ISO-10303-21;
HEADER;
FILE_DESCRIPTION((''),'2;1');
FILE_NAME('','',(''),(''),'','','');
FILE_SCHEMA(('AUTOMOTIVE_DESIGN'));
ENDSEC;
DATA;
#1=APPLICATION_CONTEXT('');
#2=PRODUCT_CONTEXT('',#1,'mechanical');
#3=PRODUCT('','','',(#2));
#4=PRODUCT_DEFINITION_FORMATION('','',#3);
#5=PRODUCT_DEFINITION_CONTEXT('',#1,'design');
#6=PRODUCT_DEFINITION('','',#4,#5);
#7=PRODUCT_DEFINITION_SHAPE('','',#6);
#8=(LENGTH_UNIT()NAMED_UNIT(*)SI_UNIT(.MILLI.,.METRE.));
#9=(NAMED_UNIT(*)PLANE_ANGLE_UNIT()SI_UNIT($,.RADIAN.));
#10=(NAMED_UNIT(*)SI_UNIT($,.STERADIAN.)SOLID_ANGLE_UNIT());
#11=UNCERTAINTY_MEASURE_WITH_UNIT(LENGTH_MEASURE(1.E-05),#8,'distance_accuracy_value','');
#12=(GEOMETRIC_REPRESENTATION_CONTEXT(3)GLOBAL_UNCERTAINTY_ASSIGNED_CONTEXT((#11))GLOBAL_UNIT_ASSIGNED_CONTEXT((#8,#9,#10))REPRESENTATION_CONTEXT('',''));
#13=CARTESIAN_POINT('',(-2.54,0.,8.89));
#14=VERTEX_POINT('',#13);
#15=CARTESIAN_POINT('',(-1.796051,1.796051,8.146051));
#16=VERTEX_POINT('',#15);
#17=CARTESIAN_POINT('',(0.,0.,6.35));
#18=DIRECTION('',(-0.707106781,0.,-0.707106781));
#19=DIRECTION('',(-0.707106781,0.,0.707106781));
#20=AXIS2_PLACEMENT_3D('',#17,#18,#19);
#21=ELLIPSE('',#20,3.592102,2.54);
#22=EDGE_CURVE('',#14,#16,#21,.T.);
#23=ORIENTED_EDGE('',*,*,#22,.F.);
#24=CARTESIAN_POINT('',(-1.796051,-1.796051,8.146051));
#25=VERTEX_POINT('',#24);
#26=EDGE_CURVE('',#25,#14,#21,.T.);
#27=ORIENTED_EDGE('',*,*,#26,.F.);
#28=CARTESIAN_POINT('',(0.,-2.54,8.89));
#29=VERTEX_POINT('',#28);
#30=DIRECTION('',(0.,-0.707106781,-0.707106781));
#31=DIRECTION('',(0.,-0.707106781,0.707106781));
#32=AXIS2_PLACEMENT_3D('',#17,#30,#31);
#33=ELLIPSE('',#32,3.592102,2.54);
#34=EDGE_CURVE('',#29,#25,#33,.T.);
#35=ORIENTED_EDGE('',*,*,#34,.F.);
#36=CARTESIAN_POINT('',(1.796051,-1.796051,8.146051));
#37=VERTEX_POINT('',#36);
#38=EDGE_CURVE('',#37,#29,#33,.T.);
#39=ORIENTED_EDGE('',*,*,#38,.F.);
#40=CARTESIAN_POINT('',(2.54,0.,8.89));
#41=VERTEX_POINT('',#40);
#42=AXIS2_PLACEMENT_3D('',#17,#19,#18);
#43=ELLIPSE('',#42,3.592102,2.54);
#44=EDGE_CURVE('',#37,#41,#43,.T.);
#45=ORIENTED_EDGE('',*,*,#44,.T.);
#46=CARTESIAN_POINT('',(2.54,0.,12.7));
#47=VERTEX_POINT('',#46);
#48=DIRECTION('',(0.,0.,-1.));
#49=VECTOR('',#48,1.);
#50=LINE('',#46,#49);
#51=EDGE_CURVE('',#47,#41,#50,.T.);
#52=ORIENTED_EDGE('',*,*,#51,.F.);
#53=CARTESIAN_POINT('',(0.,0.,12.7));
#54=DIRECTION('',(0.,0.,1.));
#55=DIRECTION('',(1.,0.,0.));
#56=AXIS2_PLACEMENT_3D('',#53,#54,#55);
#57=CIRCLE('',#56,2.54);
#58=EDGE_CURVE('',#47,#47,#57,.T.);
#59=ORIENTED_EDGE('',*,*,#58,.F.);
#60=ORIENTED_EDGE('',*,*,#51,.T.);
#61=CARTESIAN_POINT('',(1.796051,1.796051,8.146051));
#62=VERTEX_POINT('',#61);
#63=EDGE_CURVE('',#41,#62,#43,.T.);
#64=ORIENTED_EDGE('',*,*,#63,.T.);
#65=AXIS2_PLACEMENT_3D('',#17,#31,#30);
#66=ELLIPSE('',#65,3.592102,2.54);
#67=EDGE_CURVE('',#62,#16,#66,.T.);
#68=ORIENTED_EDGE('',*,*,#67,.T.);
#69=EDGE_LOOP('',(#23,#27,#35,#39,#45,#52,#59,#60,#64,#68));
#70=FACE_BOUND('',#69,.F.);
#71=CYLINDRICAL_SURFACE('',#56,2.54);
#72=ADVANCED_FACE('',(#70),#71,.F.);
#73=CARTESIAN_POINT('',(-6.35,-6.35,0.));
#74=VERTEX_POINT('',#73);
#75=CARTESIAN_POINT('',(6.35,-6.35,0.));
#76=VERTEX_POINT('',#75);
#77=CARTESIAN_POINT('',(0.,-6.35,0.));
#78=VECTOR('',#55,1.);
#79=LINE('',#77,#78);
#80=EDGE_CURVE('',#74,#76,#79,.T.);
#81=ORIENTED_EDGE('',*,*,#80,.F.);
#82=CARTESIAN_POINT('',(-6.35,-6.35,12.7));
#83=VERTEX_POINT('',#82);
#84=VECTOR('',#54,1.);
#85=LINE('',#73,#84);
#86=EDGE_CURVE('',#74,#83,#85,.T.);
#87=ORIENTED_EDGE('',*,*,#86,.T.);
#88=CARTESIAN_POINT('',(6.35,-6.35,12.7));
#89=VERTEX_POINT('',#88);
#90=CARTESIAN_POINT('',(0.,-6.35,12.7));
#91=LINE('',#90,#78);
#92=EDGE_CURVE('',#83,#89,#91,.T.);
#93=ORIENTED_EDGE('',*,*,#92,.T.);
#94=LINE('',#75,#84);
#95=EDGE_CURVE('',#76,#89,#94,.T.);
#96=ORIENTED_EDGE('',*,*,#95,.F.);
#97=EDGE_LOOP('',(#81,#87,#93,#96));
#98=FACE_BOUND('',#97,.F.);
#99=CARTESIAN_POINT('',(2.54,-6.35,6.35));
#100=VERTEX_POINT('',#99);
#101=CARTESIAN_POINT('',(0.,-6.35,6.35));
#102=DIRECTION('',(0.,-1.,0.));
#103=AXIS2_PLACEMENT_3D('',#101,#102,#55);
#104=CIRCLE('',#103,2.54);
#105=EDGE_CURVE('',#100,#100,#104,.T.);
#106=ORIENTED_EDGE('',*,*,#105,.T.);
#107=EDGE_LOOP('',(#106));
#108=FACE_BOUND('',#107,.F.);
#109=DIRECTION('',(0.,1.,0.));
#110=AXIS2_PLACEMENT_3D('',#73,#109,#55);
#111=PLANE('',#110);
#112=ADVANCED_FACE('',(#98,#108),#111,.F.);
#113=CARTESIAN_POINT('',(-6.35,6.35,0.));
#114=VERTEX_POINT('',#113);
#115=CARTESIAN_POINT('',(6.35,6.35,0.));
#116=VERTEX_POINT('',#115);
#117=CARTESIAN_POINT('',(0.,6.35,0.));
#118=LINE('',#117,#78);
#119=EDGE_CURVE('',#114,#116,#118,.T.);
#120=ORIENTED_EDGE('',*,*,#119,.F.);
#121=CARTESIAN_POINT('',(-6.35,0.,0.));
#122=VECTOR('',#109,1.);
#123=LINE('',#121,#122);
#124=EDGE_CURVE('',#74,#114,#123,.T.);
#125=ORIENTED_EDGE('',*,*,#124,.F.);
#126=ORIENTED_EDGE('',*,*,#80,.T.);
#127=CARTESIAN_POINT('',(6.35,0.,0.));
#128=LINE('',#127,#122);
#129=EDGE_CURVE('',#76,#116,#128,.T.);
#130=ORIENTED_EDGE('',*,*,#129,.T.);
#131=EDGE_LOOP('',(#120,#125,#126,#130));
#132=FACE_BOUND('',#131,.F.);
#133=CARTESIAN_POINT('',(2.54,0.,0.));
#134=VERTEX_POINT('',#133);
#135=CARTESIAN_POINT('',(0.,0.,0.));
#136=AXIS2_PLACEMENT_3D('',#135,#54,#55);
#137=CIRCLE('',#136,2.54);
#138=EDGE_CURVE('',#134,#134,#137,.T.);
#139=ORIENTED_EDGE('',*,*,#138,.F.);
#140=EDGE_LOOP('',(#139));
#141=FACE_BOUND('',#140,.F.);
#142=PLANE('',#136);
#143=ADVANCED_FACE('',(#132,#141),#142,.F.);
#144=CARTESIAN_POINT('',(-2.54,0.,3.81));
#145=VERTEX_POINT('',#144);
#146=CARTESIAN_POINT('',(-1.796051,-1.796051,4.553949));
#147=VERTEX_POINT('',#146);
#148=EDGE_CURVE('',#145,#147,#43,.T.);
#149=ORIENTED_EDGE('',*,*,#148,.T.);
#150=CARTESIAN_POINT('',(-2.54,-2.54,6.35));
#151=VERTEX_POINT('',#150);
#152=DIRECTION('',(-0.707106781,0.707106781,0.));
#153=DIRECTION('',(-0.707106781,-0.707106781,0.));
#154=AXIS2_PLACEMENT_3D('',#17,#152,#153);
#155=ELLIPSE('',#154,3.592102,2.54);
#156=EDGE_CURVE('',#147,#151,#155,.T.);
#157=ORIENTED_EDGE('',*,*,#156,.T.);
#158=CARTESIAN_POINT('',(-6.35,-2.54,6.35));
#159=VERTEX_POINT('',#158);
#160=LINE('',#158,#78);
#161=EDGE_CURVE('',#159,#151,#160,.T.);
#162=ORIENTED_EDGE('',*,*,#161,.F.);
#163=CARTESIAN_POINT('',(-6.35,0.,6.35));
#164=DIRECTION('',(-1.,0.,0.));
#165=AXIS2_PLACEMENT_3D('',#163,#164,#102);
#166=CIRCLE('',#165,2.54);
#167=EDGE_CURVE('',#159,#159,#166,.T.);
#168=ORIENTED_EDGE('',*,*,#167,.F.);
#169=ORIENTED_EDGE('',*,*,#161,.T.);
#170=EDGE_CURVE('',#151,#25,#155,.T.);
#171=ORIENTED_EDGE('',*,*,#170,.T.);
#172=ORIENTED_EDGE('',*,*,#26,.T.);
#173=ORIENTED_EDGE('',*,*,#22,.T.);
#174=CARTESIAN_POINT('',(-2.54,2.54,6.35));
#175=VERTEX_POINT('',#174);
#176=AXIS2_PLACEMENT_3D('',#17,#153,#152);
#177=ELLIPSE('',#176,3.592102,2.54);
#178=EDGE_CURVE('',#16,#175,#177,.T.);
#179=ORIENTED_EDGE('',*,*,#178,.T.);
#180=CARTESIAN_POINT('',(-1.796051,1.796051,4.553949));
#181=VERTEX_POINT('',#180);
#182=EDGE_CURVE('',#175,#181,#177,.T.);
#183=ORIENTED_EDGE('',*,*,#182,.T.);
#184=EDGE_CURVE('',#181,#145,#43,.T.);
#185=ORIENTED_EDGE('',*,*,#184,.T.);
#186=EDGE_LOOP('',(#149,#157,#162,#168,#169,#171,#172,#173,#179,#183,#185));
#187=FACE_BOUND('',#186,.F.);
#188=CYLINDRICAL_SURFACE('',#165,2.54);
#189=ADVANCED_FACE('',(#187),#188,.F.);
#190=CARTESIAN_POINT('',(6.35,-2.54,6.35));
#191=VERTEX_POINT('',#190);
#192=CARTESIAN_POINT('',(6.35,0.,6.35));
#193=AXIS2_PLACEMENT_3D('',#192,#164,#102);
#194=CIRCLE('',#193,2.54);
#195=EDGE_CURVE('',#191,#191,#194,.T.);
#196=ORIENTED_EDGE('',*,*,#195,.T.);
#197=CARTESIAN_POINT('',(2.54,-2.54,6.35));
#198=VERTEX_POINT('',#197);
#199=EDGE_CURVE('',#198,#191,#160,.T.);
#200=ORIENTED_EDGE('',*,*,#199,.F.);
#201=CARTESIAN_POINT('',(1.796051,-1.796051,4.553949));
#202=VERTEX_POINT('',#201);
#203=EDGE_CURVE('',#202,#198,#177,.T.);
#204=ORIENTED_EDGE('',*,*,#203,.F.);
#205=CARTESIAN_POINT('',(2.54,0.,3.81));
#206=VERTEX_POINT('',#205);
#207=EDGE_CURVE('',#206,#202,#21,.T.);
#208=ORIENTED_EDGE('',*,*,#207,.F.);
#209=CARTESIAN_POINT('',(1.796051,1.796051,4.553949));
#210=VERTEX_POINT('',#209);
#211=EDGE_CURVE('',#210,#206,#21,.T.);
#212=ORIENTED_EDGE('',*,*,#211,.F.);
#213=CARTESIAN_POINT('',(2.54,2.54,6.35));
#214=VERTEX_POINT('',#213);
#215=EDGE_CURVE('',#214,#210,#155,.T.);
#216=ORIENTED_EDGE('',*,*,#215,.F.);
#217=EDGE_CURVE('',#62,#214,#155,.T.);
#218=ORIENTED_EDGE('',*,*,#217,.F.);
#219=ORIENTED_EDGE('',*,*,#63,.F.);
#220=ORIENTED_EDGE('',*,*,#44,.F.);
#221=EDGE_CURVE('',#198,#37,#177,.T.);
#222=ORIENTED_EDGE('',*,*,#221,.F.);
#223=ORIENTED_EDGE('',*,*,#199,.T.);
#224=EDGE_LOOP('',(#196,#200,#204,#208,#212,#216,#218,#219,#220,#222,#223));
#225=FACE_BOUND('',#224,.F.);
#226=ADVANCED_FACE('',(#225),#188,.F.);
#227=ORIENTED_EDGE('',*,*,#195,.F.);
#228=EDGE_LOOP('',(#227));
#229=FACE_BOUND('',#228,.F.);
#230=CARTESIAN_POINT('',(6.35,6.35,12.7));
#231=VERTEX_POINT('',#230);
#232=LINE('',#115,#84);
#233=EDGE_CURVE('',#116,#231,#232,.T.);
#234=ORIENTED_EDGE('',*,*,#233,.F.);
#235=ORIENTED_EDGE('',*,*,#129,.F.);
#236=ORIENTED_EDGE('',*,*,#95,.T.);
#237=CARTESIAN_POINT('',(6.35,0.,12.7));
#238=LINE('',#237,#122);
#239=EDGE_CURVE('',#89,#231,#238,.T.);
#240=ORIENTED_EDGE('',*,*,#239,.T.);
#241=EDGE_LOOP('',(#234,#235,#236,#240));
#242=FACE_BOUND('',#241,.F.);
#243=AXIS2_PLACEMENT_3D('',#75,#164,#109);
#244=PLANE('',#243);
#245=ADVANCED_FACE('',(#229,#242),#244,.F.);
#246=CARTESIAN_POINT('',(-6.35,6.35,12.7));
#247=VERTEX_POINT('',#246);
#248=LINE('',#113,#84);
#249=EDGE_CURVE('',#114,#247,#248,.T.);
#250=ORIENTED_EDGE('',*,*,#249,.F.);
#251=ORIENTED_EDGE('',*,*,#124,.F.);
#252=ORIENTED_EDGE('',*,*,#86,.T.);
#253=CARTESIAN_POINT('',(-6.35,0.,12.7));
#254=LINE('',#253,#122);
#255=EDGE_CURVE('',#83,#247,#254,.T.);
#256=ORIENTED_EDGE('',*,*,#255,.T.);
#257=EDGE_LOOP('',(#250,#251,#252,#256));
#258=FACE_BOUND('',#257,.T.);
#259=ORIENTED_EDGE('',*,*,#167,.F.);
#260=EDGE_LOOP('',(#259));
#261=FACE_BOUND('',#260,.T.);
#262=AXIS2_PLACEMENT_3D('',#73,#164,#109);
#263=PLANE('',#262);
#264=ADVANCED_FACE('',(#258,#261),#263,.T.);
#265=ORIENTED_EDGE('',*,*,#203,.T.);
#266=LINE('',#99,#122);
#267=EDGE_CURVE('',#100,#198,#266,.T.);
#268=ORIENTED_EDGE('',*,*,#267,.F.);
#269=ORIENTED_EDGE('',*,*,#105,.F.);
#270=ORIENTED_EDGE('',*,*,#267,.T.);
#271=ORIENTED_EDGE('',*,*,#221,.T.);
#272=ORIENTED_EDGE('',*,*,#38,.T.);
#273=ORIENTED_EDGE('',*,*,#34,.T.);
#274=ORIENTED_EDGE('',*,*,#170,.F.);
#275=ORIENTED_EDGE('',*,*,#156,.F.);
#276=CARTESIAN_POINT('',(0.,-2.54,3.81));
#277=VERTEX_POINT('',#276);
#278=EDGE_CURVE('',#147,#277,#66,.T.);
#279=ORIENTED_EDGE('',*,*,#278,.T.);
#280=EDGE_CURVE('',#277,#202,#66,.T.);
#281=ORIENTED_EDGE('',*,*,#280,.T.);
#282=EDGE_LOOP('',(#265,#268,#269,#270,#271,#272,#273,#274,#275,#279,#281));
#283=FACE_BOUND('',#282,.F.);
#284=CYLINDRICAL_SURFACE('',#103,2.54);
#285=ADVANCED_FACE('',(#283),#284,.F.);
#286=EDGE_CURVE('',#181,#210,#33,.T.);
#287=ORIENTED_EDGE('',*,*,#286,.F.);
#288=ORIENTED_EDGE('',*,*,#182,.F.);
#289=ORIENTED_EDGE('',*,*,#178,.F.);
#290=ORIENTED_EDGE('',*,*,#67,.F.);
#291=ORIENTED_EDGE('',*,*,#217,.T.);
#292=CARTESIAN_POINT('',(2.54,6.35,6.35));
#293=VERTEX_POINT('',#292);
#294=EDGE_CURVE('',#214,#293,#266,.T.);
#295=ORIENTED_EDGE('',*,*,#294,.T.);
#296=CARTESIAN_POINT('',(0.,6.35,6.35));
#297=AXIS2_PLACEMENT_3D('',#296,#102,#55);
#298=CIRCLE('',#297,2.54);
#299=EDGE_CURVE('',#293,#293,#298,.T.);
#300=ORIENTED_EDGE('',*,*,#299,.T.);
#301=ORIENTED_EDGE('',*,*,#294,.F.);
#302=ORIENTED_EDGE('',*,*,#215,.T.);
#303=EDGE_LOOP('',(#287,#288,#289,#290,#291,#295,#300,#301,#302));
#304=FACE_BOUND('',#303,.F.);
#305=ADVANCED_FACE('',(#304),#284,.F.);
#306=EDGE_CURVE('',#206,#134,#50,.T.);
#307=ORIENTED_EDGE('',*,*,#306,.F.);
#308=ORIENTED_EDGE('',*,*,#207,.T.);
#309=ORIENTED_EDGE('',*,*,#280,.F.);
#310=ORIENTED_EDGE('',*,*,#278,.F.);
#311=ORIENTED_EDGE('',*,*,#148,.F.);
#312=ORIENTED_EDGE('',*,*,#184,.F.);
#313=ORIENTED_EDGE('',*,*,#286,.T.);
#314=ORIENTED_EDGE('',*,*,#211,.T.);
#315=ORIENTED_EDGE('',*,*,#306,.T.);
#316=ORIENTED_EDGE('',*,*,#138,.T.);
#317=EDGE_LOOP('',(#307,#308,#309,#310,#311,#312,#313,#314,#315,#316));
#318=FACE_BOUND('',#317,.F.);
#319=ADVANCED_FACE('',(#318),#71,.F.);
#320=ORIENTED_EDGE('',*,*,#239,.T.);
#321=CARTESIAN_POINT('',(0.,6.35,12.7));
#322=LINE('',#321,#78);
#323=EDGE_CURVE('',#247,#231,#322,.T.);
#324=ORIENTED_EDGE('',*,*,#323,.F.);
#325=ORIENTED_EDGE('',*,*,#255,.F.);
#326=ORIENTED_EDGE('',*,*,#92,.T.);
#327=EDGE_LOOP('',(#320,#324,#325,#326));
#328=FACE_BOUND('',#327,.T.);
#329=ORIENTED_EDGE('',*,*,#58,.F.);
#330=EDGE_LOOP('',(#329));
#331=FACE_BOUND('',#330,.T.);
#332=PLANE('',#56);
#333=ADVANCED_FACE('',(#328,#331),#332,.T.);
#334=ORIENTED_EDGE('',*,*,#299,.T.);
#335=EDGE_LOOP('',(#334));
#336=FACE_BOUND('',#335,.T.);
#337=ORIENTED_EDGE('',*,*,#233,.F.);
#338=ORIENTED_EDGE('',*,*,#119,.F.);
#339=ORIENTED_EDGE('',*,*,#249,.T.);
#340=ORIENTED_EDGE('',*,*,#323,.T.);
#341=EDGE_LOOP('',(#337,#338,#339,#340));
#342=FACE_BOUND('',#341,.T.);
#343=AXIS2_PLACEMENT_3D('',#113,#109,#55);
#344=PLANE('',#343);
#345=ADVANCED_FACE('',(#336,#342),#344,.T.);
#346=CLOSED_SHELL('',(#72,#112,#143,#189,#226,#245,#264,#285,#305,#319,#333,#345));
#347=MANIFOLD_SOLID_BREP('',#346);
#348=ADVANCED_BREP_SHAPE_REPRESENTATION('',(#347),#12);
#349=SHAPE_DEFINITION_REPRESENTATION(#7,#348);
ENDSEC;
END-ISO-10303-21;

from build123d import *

# Parameters (mm, degrees)
F0_W     = 12.7
F0_H     = 12.7
F1_DEPTH = 12.7
F2_R     = 2.54
F3_DEPTH = 25.4
F4_R     = 2.54
F5_DEPTH = 25.4
F6_R     = 2.54
F7_DEPTH = 25.4


with BuildPart() as f1:
    # F0 (on Top) → F1 (new body)
    with BuildSketch(Plane.XY):
        Rectangle(F0_W, F0_H)
    extrude(amount=F1_DEPTH)

    # F2 (on face) → F3 (cut)
    with BuildSketch(Plane(origin=(-6.35, 0, 0), x_dir=(0, -1, 0), z_dir=(-1, 0, 0))):
        with Locations((0, 6.35)):
            Circle(F2_R)
    extrude(amount=-F3_DEPTH, mode=Mode.SUBTRACT)

    # F4 (on face) → F5 (cut)
    with BuildSketch(Plane.XZ.offset(6.35)):
        with Locations((0, 6.35)):
            Circle(F4_R)
    extrude(amount=-F5_DEPTH, mode=Mode.SUBTRACT)

    # F6 (on face) → F7 (cut)
    with BuildSketch(Plane.XY.offset(12.7)):
        Circle(F6_R)
    extrude(amount=-F7_DEPTH, mode=Mode.SUBTRACT)


solid = f1.part
